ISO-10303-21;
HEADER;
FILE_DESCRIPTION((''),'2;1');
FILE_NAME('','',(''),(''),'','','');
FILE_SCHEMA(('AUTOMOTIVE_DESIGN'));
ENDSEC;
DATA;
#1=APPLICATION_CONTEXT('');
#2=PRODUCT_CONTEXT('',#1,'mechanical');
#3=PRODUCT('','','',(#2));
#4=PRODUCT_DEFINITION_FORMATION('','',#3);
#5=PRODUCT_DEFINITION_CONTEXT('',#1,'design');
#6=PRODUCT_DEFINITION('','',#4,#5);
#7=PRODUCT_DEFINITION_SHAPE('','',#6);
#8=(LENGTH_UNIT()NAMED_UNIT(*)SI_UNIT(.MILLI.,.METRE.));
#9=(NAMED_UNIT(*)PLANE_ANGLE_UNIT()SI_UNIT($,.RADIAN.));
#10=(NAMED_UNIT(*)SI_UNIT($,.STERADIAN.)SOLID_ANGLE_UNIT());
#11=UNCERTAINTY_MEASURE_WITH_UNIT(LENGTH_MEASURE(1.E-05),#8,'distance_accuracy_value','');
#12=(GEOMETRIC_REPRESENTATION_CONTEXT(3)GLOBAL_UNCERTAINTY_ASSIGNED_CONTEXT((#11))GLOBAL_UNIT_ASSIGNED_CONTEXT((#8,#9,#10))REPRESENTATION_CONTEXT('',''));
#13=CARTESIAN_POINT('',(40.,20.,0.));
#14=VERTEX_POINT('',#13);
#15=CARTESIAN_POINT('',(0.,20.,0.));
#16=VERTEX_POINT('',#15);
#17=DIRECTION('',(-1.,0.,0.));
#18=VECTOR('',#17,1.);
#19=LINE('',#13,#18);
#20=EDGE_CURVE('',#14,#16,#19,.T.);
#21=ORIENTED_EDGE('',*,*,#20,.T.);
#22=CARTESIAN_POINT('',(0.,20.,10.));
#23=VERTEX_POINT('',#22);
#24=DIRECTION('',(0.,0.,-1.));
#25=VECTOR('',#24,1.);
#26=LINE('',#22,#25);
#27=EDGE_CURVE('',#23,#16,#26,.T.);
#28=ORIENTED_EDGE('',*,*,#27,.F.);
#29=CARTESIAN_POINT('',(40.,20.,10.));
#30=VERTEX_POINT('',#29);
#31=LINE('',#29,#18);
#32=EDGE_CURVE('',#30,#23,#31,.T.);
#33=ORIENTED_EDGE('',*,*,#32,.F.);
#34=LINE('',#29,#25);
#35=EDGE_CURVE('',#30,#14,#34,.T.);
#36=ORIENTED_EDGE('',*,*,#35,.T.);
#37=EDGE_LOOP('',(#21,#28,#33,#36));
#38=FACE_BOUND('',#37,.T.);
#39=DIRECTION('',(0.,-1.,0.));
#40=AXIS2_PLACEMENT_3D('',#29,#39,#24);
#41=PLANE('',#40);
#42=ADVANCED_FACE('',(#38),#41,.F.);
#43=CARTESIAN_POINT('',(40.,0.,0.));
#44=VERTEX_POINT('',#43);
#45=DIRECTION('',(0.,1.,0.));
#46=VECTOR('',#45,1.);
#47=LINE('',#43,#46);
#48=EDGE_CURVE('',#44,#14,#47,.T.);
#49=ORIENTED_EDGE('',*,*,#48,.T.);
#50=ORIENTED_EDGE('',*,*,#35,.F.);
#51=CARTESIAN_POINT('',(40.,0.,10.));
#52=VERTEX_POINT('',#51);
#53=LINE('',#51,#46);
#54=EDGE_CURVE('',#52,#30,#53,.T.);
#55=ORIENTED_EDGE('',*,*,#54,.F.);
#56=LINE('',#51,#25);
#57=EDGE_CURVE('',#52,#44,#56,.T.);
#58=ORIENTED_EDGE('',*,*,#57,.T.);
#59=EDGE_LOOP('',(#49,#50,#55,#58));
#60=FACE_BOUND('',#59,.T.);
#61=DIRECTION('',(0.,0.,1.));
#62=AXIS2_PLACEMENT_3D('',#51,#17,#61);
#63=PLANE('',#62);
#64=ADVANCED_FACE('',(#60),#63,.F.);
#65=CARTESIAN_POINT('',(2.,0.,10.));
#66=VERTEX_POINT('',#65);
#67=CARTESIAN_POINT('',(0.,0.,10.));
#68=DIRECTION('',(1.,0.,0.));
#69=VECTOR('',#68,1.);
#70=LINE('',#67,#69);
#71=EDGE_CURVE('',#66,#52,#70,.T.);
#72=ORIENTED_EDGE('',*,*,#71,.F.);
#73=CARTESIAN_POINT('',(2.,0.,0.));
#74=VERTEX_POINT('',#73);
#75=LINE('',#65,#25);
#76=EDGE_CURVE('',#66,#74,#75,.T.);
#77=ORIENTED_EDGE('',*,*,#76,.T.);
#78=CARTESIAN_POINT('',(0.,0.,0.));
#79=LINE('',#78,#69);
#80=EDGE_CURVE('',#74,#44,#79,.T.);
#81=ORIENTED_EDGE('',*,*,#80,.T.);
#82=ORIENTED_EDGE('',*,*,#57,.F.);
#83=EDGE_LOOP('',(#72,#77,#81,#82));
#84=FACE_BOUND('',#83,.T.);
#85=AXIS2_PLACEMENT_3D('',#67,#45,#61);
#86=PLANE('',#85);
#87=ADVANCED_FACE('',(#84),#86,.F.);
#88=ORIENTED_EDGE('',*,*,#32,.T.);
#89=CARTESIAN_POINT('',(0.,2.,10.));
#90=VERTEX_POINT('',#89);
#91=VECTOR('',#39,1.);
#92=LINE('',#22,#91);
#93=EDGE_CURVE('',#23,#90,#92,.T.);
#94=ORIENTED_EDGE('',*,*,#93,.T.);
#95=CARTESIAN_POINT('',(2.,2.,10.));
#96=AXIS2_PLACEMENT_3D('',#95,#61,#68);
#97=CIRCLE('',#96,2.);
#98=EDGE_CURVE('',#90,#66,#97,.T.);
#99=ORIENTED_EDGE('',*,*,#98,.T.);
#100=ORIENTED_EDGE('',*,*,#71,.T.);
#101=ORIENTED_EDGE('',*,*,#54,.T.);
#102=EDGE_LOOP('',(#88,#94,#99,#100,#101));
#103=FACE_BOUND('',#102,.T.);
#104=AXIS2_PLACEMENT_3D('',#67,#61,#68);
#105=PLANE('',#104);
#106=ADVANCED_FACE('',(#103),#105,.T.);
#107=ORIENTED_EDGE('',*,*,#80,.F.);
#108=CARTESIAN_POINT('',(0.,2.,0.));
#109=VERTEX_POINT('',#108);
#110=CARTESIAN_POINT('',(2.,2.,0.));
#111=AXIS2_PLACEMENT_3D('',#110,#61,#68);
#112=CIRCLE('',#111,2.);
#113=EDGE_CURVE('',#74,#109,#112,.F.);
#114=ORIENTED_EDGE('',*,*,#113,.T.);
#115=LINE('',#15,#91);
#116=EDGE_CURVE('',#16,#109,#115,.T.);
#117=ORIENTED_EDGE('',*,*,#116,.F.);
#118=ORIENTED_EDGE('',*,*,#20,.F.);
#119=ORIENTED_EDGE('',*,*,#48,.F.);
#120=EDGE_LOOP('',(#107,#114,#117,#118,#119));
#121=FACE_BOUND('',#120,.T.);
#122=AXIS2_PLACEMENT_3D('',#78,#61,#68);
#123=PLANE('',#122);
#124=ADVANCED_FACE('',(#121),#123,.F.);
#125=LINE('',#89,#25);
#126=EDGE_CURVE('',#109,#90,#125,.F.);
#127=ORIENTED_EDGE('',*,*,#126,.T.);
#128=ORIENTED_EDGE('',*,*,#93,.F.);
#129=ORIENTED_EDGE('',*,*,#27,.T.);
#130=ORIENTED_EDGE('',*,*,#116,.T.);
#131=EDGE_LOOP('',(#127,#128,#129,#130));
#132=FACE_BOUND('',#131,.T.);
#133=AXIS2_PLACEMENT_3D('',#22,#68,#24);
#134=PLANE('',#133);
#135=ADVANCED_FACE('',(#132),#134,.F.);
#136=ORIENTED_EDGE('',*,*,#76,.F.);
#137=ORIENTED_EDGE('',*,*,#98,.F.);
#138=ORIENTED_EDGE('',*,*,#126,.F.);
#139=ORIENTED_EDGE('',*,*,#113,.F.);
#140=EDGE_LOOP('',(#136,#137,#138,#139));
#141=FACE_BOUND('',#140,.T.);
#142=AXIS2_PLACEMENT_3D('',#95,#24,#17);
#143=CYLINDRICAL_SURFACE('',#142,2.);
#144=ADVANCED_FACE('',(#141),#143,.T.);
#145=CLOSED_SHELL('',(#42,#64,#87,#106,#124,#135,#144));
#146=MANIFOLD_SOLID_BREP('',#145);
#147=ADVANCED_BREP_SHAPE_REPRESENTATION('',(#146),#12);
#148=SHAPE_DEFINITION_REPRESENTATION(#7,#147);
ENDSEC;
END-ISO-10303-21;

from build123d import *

# Parameters (mm, degrees)
SKETCH1_W           = 40
SKETCH1_H           = 20
BOSS_EXTRUDE1_DEPTH = 10
FILLET1_R           = 2


with BuildPart() as part:
    # Sketch1 → Boss-Extrude1 (new body)
    with BuildSketch(Plane.XY):
        with Locations((20, 10)):
            Rectangle(SKETCH1_W, SKETCH1_H)
    extrude(amount=BOSS_EXTRUDE1_DEPTH)

    # Fillet1
    fillet1_edges = [part.edges().sort_by_distance(p)[0] for p in [
        (0, 0, 5),
    ]]
    fillet(fillet1_edges, radius=FILLET1_R)


solid = part.part
